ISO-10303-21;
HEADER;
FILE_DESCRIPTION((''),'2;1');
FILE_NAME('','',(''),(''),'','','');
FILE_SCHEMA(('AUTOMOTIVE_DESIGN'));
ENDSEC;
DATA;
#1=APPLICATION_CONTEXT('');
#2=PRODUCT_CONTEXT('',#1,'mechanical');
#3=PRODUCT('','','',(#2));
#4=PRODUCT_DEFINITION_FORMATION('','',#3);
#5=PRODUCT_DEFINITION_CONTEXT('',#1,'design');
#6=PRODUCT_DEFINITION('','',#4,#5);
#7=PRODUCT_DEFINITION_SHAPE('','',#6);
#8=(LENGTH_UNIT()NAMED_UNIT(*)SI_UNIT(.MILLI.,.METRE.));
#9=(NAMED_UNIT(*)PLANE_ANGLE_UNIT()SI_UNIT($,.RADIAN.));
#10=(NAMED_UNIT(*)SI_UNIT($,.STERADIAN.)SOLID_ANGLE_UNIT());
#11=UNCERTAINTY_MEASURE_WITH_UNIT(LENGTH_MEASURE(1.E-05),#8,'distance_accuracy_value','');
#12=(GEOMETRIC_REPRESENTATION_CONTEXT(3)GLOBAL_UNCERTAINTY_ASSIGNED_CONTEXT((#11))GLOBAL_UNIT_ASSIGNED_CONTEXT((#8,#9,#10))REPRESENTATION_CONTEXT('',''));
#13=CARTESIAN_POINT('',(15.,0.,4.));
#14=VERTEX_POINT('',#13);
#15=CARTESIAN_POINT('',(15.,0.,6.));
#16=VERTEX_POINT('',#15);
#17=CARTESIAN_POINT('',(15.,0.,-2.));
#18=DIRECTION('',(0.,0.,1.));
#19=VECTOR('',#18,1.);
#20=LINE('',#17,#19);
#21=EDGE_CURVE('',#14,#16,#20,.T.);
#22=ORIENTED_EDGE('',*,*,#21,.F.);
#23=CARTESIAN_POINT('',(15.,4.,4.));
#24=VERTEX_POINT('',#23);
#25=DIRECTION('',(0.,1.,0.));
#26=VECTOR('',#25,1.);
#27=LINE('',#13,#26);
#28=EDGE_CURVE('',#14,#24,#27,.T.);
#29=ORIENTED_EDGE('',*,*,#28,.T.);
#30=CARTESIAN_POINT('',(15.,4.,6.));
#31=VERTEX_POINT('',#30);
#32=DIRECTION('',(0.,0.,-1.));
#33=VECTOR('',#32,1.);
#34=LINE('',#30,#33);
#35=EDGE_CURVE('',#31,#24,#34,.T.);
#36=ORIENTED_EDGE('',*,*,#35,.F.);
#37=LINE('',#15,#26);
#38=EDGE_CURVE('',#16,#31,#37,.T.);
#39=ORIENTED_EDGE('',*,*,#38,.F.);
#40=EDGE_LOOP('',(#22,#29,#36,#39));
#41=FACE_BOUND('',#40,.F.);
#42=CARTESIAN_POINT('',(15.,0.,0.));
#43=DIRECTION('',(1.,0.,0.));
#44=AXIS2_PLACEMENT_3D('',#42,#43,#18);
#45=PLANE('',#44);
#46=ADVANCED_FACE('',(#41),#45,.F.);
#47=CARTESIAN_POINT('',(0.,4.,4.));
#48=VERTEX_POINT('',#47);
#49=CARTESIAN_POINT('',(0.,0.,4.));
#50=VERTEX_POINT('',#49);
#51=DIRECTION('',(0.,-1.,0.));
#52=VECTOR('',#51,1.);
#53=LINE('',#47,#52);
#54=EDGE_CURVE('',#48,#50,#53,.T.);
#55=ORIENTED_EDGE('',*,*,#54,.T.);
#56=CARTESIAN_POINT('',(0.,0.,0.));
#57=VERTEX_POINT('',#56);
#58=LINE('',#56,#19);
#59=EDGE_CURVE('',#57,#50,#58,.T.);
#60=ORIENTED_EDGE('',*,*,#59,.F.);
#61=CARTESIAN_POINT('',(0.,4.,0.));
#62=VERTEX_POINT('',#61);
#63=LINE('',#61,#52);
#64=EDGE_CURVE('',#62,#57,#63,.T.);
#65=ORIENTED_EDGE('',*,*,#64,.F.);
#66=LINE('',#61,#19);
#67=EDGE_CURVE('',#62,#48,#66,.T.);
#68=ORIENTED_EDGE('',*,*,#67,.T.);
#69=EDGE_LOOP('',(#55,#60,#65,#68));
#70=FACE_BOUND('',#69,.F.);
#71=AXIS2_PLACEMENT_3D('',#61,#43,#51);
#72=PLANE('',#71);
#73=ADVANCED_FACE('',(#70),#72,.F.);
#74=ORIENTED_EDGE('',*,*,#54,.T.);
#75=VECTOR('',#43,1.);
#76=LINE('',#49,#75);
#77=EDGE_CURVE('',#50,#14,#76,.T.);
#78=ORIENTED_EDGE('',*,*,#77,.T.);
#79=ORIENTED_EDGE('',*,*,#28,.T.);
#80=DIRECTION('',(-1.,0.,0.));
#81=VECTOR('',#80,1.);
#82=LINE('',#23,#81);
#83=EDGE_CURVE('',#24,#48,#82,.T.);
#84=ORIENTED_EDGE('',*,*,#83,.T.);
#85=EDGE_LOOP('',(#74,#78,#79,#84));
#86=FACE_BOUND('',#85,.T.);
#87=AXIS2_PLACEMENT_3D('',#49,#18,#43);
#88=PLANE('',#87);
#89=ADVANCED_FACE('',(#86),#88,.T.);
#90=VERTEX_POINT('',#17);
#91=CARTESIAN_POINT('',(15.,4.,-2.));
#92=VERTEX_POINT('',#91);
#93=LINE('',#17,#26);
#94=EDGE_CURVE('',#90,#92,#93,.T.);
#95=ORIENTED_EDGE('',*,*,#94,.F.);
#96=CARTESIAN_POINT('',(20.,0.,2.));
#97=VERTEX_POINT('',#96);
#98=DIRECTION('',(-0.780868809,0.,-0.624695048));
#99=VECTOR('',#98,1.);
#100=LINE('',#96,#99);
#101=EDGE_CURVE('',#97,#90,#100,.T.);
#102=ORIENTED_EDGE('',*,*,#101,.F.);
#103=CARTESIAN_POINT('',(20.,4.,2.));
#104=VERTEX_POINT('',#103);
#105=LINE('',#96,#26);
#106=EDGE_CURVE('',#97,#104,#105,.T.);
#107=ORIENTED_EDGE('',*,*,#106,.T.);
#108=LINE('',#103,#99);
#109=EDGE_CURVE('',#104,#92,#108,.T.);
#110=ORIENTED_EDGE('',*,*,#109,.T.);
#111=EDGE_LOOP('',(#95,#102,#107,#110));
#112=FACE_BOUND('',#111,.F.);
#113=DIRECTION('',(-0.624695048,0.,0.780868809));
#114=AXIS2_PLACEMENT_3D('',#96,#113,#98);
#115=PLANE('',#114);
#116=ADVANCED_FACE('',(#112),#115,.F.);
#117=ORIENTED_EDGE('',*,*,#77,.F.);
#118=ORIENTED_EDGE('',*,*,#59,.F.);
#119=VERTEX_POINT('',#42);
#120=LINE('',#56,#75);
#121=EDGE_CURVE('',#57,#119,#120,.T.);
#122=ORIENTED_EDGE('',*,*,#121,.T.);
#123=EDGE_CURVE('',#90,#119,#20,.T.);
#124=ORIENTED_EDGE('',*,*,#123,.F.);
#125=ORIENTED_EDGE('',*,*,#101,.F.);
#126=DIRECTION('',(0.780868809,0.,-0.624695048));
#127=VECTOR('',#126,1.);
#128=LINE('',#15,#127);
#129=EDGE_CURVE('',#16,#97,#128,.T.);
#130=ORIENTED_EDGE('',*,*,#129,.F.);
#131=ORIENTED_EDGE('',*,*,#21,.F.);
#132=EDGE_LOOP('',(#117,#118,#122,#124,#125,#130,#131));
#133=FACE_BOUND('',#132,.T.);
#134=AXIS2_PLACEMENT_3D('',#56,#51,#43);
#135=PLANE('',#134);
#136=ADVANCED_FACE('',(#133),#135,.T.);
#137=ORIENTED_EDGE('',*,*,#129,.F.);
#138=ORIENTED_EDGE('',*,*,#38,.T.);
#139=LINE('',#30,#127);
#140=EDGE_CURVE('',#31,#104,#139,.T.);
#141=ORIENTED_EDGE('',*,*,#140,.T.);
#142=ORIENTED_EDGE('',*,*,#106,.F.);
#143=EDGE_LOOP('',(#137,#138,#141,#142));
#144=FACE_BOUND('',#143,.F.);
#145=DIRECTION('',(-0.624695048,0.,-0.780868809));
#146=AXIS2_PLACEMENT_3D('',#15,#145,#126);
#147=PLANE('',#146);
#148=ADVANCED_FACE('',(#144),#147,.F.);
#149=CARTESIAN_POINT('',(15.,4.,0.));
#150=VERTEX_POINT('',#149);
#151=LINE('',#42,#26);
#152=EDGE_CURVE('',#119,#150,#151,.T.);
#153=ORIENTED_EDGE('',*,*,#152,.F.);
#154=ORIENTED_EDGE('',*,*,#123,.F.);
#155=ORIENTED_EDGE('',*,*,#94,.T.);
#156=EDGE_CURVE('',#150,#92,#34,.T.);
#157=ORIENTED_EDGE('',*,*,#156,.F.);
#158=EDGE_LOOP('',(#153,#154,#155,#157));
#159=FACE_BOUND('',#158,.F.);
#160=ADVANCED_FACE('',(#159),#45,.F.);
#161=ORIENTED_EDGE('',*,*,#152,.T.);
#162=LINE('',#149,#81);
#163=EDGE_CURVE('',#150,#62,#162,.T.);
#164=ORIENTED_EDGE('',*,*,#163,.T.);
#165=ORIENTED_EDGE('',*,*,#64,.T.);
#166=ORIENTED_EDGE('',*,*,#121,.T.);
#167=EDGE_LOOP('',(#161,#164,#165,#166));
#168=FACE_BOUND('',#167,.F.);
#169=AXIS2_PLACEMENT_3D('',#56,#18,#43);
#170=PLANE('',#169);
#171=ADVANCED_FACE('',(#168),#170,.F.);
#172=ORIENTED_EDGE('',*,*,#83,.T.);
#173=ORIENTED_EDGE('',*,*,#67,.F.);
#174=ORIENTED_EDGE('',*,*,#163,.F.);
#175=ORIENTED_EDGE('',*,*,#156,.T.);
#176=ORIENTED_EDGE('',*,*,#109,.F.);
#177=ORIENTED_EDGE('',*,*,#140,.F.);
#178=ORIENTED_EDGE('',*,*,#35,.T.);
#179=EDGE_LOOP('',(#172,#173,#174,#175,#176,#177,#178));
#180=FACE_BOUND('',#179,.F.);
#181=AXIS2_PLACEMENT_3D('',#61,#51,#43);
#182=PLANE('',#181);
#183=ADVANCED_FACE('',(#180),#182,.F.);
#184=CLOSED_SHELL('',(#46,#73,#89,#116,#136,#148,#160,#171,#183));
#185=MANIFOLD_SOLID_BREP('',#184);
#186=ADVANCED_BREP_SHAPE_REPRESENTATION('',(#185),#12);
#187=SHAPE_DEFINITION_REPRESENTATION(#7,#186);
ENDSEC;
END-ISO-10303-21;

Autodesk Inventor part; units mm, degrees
ref_plane "YZ Plane" through (0, 0, 0) normal (1, 0, 0) x (0, 1, 0)
ref_plane "XZ Plane" through (0, 0, 0) normal (0, 1, 0) x (-1, 0, 0)
ref_plane "XY Plane" through (0, 0, 0) normal (0, 0, 1) x (1, 0, 0)
sketch "Skizze1" plane through (0, 0, 0) normal (0, 0, 1) x (1, 0, 0)
  line L0 (0, 0) -> (15, 0)
  line L1 (15, 0) -> (15, 4)
  line L2 (15, 4) -> (0, 4)
  line L3 (0, 4) -> (0, 0)
  dimension "d0" = 15
  dimension "d1" = 4
extrude "Extrusion1" add sketch "Skizze1" along normal blind 4
sketch "Skizze2" plane through (0, 0, 0) normal (0, -1, 0) x (1, 0, 0)
  line L0 (15, 0) -> (15, 4) projected
  line L1 (15, 2) -> (15, 6)
  line L2 (15, 6) -> (15, -2)
  line L3 (15, 2) -> (20, 2)
  line L4 (20, 2) -> (15, -2)
  line L5 (15, 6) -> (20, 2)
  point P0 (0, 0)
  dimension "d4" = 4
  dimension "d5" = 8
  dimension "d6" = 5
extrude "Extrusion2" add sketch "Skizze2" against normal blind 4
properties part number "ArrowUp"
